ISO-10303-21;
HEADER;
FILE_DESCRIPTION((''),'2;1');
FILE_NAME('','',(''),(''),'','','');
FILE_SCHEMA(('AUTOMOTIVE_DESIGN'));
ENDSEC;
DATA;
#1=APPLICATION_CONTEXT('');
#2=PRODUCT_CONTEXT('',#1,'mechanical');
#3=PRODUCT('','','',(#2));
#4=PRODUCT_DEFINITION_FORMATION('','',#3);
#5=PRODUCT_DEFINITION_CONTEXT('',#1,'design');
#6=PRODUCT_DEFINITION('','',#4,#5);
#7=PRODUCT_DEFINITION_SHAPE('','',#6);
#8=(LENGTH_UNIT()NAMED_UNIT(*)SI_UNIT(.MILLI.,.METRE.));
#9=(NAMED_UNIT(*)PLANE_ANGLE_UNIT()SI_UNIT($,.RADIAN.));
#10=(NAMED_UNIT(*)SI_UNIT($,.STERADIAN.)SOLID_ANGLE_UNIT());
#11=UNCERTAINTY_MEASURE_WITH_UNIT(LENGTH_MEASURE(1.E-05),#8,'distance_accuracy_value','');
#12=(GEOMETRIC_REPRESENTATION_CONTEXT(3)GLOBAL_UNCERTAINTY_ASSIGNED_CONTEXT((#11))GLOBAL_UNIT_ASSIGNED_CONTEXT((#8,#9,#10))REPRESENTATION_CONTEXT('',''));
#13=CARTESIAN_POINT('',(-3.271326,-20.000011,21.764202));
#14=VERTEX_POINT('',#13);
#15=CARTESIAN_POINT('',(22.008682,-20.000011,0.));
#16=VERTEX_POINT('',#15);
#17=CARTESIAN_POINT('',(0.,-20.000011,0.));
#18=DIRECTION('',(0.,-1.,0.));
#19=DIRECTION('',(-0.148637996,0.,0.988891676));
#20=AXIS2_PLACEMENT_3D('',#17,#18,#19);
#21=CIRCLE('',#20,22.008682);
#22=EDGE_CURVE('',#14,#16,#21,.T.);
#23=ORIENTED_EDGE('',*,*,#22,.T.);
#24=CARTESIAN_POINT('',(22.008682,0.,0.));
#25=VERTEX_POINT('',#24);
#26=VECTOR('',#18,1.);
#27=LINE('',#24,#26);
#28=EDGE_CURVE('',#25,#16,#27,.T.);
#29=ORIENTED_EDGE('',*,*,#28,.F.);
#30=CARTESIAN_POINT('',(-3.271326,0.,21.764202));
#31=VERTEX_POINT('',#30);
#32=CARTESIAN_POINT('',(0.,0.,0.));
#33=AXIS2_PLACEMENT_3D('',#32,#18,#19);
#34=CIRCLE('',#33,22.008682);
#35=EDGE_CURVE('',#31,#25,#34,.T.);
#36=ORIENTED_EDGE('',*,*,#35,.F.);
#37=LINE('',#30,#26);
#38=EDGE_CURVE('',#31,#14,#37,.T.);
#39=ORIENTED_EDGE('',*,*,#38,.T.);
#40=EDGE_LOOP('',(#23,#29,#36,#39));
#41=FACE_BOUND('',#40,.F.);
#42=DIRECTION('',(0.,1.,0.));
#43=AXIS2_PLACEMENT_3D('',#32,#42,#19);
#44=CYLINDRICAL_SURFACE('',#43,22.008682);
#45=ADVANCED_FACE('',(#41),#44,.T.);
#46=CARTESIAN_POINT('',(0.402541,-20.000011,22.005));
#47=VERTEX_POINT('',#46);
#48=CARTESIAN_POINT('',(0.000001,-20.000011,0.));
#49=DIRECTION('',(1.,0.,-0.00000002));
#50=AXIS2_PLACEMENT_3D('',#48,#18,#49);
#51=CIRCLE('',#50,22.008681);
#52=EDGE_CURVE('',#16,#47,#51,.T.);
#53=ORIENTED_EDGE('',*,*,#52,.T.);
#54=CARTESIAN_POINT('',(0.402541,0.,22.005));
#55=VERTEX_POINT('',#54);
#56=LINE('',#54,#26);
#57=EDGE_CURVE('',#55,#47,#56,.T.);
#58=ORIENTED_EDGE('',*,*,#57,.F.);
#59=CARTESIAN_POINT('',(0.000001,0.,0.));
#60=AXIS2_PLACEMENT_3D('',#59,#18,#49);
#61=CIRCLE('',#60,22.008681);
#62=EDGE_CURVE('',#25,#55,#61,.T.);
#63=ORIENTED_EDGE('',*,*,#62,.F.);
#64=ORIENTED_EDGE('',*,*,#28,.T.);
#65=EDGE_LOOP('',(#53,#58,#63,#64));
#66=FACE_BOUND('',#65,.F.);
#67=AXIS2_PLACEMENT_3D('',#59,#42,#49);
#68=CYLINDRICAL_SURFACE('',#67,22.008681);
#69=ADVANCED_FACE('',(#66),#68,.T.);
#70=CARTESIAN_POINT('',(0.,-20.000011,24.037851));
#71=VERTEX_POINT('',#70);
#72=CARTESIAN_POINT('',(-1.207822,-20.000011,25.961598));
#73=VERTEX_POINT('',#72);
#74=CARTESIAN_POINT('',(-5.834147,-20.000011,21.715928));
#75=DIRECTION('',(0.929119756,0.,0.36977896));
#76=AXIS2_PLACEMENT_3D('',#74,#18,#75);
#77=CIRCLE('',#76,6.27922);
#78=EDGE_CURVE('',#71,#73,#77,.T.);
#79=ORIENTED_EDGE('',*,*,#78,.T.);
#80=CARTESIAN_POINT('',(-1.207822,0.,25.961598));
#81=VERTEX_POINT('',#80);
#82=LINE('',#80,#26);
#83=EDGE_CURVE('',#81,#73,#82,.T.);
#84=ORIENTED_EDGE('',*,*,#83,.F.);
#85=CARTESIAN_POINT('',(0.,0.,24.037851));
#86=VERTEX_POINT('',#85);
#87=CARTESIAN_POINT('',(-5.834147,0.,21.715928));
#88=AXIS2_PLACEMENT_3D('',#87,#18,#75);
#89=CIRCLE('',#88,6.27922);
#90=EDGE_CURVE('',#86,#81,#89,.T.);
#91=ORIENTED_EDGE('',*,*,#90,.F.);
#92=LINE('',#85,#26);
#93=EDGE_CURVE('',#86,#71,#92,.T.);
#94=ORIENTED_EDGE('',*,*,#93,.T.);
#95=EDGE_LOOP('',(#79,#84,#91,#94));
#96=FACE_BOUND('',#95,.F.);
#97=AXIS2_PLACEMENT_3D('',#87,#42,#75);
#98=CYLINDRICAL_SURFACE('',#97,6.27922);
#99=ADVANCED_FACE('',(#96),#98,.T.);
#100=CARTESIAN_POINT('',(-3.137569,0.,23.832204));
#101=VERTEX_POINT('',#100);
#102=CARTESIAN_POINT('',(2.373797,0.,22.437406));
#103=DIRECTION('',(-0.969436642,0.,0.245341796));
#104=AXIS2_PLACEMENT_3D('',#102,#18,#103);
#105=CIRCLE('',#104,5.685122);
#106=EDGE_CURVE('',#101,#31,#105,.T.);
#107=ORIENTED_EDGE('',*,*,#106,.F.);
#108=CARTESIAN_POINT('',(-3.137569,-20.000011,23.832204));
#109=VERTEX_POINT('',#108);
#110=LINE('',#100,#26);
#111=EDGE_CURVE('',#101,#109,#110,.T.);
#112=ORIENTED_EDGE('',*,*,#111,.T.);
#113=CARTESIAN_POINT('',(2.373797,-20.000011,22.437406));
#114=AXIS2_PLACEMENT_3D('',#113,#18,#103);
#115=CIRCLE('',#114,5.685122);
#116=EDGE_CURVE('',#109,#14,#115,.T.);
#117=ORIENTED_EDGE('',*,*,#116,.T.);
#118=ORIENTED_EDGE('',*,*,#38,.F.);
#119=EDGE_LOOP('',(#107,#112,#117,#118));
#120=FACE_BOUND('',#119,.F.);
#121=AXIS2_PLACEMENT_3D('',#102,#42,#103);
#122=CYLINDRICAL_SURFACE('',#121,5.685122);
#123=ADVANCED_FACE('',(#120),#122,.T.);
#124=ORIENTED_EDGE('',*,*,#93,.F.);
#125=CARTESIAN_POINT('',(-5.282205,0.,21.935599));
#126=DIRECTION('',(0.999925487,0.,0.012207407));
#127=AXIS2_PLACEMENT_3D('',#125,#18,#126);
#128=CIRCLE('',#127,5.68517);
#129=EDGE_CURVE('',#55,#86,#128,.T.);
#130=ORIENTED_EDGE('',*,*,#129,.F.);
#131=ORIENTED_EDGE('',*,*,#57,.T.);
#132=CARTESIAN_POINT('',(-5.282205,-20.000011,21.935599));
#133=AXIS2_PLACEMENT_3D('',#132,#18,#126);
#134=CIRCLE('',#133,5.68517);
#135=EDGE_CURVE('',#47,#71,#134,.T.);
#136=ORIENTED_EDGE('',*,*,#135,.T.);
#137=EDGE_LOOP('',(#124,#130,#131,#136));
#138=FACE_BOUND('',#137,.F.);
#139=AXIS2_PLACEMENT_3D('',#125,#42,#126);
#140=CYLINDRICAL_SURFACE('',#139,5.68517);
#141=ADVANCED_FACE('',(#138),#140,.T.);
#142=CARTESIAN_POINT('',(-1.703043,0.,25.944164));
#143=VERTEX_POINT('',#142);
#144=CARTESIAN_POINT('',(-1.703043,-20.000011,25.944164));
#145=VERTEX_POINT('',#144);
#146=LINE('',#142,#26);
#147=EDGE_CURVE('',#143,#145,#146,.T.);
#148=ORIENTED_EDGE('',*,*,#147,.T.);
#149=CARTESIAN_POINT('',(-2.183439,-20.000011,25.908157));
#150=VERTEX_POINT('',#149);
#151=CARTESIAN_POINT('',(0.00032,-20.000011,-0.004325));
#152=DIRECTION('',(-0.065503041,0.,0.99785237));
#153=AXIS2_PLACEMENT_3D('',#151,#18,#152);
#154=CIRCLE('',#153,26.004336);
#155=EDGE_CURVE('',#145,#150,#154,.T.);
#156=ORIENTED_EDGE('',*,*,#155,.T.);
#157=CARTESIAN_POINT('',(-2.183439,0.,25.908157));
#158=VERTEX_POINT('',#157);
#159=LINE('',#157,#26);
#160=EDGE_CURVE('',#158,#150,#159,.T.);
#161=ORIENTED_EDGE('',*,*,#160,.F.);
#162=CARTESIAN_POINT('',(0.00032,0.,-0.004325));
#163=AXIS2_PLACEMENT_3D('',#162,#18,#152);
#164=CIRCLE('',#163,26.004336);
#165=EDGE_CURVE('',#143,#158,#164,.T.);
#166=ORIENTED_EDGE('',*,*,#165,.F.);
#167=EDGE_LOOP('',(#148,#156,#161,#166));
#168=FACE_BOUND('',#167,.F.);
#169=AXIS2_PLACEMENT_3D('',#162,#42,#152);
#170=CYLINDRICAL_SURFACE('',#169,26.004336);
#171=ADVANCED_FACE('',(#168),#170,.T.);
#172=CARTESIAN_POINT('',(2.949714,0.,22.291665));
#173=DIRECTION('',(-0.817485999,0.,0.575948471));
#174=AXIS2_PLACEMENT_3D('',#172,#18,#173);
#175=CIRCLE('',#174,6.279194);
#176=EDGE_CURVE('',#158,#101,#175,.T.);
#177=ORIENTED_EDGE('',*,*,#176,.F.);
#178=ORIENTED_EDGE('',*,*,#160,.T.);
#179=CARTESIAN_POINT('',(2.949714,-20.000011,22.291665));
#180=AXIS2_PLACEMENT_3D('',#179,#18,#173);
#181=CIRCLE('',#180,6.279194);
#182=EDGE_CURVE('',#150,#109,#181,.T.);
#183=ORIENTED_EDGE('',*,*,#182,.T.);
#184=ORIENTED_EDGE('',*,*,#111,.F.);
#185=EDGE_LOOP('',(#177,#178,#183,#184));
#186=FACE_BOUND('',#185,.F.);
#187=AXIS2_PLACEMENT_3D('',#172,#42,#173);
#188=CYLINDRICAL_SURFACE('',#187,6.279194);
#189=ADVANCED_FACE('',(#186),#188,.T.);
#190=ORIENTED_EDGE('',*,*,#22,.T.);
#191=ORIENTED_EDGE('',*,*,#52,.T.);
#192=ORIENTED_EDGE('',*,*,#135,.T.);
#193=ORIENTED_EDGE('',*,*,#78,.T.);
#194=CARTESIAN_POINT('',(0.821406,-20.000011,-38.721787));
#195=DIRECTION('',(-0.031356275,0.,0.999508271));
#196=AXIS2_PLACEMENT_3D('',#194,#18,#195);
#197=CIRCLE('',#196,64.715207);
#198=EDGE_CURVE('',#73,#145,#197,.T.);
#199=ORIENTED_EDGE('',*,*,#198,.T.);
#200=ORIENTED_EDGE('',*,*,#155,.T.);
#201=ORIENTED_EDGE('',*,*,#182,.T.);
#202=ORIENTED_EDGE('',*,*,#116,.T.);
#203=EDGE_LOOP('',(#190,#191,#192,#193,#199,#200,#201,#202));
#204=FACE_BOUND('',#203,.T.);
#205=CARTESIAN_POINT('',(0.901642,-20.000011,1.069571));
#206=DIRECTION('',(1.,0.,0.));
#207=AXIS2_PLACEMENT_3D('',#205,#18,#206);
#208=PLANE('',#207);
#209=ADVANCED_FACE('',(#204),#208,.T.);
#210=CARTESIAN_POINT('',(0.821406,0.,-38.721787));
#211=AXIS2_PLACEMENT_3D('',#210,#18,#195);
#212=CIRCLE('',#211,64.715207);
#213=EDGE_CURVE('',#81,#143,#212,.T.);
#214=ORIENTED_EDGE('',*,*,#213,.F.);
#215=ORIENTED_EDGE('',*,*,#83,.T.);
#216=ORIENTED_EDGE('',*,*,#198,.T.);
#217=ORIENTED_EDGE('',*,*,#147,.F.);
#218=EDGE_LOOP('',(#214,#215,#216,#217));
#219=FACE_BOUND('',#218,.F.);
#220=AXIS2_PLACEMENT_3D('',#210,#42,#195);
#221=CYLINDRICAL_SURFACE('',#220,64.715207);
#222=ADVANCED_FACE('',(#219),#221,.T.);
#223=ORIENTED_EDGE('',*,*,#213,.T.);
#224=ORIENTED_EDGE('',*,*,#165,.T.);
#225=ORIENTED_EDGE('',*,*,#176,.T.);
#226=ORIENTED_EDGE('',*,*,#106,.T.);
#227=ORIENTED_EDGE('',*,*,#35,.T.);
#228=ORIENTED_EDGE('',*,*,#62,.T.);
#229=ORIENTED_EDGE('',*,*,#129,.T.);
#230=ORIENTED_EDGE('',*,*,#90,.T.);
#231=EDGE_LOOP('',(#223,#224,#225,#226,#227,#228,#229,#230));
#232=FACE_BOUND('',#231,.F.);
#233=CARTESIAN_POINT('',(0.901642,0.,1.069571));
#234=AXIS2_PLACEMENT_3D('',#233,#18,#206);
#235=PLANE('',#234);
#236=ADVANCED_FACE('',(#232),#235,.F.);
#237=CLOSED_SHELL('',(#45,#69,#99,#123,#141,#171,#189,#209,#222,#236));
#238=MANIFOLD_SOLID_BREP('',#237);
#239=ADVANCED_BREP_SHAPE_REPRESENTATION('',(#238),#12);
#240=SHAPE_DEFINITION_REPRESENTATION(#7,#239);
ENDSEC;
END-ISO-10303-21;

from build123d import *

# Parameters (mm, degrees)
F1_DEPTH = 20.000011


with BuildPart() as f1:
    # F0 (on Front) → F1 (new body)
    with BuildSketch(Plane.XZ):
        with BuildLine():
            ThreePointArc((-3.271326, 21.764202), (-14.359396, -16.679023), (22.008682, 0))
            ThreePointArc((22.008682, 0), (15.704163, 15.419512), (0.402541, 22.005))
            ThreePointArc((0.402541, 22.005), (-1.439437, 21.961559), (-3.271326, 21.764202))
        make_face()
        with BuildLine():
            ThreePointArc((-3.271326, 21.764202), (-1.439437, 21.961559), (0.402541, 22.005))
            ThreePointArc((0.402541, 22.005), (0.294678, 23.039922), (0, 24.037851))
            ThreePointArc((0, 24.037851), (-0.516199, 25.054794), (-1.207822, 25.961598))
            ThreePointArc((-1.207822, 25.961598), (-1.455449, 25.953355), (-1.703043, 25.944164))
            ThreePointArc((-1.703043, 25.944164), (-1.943324, 25.927273), (-2.183439, 25.908157))
            ThreePointArc((-2.183439, 25.908157), (-2.755717, 24.913941), (-3.137569, 23.832204))
            ThreePointArc((-3.137569, 23.832204), (-3.299471, 22.804349), (-3.271326, 21.764202))
        make_face()
    extrude(amount=F1_DEPTH)


solid = f1.part
